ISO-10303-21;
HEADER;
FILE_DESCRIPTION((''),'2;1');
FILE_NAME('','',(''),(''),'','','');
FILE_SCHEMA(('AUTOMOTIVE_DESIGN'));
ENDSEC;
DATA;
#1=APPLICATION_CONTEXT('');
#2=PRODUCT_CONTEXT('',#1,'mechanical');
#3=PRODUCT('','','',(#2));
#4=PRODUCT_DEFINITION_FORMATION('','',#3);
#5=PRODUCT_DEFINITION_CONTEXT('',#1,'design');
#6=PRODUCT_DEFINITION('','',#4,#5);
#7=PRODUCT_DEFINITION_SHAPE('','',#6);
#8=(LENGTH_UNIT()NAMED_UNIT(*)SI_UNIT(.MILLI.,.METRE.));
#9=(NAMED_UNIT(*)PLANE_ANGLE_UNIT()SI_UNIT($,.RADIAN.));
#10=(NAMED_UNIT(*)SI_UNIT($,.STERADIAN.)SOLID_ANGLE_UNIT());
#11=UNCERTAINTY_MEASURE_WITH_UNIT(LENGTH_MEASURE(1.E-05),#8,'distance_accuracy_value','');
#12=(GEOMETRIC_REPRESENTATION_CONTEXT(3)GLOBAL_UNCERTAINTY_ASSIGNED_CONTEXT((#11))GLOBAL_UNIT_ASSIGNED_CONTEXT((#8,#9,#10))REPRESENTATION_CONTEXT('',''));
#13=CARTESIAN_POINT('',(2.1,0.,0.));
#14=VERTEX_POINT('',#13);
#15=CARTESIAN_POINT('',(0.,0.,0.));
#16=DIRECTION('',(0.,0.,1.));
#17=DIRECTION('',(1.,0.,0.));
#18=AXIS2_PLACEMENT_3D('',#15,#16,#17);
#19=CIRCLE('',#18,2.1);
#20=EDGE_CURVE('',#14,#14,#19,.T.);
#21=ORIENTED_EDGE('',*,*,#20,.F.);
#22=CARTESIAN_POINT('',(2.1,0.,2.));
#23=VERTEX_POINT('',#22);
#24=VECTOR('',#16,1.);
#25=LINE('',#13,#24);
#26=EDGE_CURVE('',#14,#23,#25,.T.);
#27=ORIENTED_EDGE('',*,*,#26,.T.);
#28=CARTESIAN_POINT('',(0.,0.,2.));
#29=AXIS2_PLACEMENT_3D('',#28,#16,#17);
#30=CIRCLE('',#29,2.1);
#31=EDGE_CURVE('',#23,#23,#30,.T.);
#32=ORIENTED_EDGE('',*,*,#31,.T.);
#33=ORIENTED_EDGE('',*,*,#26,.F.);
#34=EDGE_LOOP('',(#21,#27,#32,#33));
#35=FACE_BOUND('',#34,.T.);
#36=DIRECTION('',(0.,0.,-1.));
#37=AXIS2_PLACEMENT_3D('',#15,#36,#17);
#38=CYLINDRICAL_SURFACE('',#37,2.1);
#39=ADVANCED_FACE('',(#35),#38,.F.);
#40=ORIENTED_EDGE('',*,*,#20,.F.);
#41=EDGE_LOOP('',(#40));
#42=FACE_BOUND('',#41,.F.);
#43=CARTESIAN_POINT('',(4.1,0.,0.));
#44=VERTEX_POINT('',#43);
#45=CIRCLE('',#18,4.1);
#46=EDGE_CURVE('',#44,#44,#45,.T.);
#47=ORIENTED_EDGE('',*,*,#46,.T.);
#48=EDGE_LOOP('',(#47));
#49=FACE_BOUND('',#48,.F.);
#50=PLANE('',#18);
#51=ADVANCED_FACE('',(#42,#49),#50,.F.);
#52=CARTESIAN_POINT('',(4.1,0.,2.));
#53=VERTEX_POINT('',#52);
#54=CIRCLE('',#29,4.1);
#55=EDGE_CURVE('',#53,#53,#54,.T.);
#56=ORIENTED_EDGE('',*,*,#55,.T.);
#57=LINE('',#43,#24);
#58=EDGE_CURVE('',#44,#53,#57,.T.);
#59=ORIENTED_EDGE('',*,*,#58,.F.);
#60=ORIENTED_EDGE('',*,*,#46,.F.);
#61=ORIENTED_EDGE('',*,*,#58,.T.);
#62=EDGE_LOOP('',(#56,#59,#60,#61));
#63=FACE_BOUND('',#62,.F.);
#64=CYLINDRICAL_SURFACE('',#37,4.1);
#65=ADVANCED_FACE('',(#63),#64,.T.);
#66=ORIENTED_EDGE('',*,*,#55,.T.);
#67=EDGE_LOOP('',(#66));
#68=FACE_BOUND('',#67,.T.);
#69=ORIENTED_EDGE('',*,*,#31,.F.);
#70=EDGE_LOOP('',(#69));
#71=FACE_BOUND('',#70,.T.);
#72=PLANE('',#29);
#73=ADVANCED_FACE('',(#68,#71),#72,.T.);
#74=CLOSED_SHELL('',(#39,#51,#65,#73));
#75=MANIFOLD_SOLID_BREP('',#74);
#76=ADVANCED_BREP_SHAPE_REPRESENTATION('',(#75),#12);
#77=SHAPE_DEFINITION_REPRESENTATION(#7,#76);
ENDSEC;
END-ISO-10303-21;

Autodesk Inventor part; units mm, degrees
ref_plane "YZ Plane" through (0, 0, 0) normal (1, 0, 0) x (0, 1, 0)
ref_plane "XZ Plane" through (0, 0, 0) normal (0, 1, 0) x (-1, 0, 0)
ref_plane "XY Plane" through (0, 0, 0) normal (0, 0, 1) x (1, 0, 0)
sketch "Skizze1" plane through (0, 0, 0) normal (0, 0, 1) x (1, 0, 0)
  circle A0 centre (0, 0) radius 2.1
  circle A1 centre (0, 0) radius 4.1
  dimension "d0" = 4.2
  dimension "d1" = 2
extrude "Extrusion1" add sketch "Skizze1" along normal blind 2
properties part number "WormBushing"
